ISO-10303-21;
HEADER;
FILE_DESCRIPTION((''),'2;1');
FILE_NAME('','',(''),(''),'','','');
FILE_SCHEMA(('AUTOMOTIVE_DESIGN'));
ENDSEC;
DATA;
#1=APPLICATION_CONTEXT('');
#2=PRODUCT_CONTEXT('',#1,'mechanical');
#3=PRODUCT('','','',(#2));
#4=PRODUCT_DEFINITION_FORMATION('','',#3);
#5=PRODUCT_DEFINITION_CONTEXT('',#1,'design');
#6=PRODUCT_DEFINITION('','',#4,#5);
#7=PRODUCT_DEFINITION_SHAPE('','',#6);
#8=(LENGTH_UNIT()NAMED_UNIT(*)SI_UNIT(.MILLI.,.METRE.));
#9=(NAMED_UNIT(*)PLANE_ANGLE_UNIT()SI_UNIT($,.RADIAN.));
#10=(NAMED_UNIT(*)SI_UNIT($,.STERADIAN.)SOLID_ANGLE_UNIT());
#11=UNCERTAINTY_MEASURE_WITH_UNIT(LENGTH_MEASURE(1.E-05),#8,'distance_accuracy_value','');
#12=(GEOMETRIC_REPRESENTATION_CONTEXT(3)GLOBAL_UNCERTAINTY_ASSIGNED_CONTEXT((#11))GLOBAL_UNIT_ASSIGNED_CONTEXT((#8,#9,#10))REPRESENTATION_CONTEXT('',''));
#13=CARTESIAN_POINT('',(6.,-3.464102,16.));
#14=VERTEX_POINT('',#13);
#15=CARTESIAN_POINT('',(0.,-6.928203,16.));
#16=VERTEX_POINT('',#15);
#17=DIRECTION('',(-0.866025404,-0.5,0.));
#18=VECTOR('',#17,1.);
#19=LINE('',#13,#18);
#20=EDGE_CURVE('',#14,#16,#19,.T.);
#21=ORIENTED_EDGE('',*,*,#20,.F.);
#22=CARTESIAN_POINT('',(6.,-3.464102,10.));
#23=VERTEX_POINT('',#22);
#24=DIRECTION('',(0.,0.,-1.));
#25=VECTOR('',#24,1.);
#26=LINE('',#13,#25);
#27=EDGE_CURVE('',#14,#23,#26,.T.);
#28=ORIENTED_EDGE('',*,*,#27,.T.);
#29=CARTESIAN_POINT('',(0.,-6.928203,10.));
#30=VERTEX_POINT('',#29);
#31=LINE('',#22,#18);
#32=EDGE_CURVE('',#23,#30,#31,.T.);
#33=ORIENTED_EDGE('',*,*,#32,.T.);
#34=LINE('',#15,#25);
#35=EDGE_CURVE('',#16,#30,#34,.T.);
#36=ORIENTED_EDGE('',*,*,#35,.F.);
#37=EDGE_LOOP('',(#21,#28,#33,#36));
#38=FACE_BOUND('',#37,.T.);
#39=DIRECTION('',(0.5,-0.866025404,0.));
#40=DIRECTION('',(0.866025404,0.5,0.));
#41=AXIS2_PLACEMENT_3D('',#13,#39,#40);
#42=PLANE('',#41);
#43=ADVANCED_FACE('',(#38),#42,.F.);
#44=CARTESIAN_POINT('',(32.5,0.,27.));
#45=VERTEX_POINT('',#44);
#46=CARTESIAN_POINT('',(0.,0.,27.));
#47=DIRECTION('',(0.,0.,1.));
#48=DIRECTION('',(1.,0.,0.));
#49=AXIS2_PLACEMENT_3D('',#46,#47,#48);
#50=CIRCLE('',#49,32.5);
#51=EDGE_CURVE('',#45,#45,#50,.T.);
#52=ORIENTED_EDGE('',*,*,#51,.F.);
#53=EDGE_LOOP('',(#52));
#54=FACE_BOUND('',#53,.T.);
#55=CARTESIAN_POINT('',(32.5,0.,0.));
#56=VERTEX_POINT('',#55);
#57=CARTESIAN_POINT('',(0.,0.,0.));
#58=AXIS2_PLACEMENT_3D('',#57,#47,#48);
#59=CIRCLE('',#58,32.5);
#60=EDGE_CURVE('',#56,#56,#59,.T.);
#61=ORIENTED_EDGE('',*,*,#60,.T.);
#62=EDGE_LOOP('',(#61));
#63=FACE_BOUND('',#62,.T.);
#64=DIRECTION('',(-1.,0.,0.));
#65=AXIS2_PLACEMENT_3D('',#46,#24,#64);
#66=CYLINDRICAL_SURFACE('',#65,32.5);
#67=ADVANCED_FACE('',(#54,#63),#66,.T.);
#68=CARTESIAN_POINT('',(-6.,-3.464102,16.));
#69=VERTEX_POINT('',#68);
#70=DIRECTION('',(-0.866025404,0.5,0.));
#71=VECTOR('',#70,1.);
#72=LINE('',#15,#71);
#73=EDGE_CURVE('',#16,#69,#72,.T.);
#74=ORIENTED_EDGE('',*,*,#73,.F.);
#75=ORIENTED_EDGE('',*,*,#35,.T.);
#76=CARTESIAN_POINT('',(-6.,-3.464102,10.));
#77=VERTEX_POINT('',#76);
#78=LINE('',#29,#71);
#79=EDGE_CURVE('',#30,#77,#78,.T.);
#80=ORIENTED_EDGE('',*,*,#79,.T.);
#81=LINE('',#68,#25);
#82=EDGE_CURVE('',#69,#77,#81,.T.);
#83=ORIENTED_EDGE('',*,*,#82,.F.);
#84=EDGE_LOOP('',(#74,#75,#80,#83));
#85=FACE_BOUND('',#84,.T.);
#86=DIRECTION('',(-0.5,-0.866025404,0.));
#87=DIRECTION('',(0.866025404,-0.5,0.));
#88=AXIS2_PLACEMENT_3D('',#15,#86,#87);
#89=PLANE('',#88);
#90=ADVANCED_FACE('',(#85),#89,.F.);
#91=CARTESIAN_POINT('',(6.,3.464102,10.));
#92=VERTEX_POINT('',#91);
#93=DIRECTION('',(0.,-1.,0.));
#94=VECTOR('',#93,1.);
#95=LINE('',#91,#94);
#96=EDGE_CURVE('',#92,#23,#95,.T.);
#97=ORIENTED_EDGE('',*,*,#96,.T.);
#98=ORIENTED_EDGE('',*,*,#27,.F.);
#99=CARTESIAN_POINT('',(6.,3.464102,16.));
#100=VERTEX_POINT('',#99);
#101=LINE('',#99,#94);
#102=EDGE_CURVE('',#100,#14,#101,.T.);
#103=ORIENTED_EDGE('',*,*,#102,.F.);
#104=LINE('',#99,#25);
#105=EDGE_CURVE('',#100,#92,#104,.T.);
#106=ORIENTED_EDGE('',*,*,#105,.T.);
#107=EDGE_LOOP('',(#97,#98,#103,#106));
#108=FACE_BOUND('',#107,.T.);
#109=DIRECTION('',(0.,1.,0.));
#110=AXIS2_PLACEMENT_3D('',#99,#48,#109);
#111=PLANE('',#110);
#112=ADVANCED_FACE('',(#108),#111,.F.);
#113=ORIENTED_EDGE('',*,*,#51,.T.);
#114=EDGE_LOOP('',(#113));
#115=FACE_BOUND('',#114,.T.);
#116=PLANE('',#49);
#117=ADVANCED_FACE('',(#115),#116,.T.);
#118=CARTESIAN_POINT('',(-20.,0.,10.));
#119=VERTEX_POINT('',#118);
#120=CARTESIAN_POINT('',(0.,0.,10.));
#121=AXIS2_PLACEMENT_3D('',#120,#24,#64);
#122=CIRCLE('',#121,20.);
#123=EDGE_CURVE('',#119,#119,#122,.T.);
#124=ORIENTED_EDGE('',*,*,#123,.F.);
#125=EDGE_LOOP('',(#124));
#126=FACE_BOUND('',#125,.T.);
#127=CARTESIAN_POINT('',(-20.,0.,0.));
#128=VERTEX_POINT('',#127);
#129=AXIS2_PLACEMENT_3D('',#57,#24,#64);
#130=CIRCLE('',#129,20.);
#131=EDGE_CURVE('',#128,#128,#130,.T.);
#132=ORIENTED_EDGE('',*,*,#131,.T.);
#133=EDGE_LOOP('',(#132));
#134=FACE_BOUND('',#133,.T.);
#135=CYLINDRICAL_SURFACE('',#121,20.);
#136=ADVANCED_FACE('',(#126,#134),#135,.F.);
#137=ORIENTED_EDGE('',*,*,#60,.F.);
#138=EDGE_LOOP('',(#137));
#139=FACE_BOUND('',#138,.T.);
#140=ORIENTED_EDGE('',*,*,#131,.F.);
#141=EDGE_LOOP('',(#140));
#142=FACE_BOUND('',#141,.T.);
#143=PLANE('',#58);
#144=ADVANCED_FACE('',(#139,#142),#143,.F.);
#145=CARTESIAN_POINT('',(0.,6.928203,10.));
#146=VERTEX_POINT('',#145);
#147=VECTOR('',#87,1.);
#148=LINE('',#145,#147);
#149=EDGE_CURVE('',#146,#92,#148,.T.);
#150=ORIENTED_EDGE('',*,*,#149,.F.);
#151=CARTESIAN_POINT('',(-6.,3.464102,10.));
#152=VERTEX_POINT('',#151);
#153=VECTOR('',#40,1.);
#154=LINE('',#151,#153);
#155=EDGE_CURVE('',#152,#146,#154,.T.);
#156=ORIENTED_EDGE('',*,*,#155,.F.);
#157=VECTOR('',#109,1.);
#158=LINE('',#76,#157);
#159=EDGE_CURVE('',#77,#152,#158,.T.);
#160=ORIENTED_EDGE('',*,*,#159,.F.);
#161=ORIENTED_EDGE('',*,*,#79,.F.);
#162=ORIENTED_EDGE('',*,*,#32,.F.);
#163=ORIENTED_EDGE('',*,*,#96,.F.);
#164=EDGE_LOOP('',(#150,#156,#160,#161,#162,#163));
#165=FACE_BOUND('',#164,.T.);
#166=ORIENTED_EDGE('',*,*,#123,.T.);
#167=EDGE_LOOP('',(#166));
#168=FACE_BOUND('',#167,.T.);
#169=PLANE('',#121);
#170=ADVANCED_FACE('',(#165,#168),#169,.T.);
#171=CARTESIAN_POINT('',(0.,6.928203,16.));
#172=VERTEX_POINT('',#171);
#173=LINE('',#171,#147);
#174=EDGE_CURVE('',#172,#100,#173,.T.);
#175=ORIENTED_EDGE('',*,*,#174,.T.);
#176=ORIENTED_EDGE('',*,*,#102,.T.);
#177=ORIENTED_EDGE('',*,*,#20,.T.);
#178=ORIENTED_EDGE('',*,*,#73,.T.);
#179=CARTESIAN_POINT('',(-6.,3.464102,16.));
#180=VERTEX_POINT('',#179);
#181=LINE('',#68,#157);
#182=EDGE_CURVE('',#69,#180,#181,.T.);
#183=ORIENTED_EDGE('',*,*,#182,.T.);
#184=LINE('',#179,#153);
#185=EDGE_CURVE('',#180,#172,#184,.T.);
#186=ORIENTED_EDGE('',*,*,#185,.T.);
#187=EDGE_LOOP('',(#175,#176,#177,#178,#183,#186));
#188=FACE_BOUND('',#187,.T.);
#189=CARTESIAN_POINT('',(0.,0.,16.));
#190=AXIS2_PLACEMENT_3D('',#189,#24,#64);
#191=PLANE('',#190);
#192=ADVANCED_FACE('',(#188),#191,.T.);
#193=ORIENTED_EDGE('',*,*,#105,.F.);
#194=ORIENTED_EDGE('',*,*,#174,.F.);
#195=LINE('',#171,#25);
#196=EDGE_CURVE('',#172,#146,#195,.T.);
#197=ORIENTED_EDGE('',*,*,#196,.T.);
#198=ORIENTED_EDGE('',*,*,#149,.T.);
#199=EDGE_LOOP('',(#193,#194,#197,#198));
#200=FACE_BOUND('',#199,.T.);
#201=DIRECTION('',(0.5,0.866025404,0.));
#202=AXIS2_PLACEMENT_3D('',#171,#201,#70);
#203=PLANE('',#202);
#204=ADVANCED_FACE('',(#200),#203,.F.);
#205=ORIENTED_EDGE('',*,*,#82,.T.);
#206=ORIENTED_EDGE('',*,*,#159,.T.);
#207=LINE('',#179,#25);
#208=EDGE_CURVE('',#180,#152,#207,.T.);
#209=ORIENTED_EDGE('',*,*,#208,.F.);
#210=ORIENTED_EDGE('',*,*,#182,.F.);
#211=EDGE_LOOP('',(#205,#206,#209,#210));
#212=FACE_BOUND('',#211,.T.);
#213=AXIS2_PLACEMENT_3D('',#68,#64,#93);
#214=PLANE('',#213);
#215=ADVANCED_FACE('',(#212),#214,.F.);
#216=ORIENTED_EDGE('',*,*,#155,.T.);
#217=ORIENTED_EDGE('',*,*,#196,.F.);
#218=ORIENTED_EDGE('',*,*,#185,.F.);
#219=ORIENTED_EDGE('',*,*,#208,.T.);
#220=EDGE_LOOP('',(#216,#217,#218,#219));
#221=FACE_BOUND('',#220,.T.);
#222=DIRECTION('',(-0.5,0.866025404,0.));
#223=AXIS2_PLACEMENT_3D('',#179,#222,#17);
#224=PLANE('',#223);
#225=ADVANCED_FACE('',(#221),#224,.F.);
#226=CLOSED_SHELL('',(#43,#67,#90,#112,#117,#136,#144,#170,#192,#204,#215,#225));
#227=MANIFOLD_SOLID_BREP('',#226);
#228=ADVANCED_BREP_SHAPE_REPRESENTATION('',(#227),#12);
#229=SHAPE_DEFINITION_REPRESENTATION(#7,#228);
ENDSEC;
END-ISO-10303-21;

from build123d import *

# Parameters (mm, degrees)
SKETCH_1_R          = 32.5
EXTRUDE_1_DEPTH     = 27
SKETCH_2_R          = 20
CUT_EXTRUDE_1_DEPTH = 10
CUT_EXTRUDE_2_DEPTH = 6


with BuildPart() as part:
    # 草图1 → 凸台-拉伸1 (new body)
    with BuildSketch(Plane.XY):
        Circle(SKETCH_1_R)
    extrude(amount=EXTRUDE_1_DEPTH)

    # 草图2 → 切除-拉伸1 (cut)
    with BuildSketch(Plane(origin=(0, 0, 0), x_dir=(-1, 0, 0), z_dir=(0, 0, -1))):
        Circle(SKETCH_2_R)
    extrude(amount=-CUT_EXTRUDE_1_DEPTH, mode=Mode.SUBTRACT)

    # 草图3 → 切除-拉伸2 (cut)
    with BuildSketch(Plane(origin=(0, 0, 10), x_dir=(-1, 0, 0), z_dir=(0, 0, -1))):
        Polygon((6, 3.464101615), (0, 6.92820323), (-6, 3.464101615), (-6, -3.464101615), (0, -6.92820323), (6, -3.464101615), align=None)
    extrude(amount=-CUT_EXTRUDE_2_DEPTH, mode=Mode.SUBTRACT)


solid = part.part
